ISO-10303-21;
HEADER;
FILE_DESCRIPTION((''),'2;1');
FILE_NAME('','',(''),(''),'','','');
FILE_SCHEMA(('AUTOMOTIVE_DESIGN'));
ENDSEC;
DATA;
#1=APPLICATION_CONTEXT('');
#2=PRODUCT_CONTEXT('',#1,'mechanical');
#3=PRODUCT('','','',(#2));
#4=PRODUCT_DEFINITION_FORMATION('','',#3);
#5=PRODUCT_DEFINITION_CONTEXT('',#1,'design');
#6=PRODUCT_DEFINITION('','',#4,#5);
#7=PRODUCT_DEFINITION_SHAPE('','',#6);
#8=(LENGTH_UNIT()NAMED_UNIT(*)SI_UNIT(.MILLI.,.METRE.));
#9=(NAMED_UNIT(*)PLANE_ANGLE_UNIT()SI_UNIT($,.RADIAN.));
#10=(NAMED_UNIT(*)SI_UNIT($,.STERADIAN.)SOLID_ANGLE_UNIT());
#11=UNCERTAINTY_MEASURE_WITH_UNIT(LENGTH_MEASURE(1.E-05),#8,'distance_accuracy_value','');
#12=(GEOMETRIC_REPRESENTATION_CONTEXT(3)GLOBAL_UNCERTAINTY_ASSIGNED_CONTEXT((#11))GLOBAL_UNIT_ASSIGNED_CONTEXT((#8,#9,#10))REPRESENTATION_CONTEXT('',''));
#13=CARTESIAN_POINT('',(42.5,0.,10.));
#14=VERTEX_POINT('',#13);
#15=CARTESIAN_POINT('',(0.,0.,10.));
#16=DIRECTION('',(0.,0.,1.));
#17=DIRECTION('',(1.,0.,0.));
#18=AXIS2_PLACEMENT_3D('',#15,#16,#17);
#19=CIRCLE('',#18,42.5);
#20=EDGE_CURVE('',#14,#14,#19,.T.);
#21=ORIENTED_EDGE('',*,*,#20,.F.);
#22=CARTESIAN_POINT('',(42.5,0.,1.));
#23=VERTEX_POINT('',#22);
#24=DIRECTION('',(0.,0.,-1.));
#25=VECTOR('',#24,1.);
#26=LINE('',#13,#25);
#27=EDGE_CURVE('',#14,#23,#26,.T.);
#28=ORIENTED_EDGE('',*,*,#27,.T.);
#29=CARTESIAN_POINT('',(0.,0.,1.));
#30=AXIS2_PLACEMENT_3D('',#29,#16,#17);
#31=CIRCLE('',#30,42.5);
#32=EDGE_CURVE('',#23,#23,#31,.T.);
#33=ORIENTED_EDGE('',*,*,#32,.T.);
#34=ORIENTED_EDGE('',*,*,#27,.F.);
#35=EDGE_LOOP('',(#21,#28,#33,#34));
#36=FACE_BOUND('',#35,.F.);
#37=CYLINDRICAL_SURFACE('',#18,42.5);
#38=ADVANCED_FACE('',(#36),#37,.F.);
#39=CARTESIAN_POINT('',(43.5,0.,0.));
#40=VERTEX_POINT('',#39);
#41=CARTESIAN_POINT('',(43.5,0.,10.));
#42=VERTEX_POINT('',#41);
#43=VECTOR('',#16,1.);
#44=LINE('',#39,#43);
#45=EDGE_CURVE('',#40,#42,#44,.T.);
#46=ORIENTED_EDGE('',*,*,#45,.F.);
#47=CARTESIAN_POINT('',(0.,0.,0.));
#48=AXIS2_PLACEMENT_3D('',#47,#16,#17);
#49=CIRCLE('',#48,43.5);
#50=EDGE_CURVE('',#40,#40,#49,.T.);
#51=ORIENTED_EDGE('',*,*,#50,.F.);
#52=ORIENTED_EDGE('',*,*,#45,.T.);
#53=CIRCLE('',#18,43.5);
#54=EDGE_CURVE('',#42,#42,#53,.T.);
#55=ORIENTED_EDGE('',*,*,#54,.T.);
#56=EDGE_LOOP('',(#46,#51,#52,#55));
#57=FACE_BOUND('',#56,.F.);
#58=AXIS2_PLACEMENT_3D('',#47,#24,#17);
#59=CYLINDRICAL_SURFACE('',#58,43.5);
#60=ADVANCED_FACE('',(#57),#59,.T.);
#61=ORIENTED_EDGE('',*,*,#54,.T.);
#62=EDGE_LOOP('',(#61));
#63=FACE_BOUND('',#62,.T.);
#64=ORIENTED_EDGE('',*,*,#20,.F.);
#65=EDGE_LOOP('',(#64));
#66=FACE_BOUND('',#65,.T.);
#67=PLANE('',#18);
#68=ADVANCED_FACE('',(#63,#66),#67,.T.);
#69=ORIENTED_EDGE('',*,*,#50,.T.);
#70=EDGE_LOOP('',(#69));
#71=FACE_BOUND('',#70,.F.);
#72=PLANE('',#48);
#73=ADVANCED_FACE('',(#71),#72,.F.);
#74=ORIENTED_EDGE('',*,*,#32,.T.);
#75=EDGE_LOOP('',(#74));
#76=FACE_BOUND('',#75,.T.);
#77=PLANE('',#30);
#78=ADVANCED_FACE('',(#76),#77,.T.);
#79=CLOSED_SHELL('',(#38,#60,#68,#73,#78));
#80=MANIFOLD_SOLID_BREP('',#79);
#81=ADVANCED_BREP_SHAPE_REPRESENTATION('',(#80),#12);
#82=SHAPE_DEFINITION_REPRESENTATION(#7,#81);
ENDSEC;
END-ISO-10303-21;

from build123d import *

# Parameters (mm, degrees)
SKETCH_R     = 43.5
PAD_DEPTH    = 10
SKETCH001_R  = 42.5
POCKET_DEPTH = 9


with BuildPart() as part:
    # Sketch → Pad (new body)
    with BuildSketch(Plane.XY):
        Circle(SKETCH_R)
    extrude(amount=PAD_DEPTH)

    # Sketch001 (on Face3 of Pad) → Pocket (cut)
    with BuildSketch(Plane.XY.offset(10)):
        Circle(SKETCH001_R)
    extrude(amount=-POCKET_DEPTH, mode=Mode.SUBTRACT)


solid = part.part
